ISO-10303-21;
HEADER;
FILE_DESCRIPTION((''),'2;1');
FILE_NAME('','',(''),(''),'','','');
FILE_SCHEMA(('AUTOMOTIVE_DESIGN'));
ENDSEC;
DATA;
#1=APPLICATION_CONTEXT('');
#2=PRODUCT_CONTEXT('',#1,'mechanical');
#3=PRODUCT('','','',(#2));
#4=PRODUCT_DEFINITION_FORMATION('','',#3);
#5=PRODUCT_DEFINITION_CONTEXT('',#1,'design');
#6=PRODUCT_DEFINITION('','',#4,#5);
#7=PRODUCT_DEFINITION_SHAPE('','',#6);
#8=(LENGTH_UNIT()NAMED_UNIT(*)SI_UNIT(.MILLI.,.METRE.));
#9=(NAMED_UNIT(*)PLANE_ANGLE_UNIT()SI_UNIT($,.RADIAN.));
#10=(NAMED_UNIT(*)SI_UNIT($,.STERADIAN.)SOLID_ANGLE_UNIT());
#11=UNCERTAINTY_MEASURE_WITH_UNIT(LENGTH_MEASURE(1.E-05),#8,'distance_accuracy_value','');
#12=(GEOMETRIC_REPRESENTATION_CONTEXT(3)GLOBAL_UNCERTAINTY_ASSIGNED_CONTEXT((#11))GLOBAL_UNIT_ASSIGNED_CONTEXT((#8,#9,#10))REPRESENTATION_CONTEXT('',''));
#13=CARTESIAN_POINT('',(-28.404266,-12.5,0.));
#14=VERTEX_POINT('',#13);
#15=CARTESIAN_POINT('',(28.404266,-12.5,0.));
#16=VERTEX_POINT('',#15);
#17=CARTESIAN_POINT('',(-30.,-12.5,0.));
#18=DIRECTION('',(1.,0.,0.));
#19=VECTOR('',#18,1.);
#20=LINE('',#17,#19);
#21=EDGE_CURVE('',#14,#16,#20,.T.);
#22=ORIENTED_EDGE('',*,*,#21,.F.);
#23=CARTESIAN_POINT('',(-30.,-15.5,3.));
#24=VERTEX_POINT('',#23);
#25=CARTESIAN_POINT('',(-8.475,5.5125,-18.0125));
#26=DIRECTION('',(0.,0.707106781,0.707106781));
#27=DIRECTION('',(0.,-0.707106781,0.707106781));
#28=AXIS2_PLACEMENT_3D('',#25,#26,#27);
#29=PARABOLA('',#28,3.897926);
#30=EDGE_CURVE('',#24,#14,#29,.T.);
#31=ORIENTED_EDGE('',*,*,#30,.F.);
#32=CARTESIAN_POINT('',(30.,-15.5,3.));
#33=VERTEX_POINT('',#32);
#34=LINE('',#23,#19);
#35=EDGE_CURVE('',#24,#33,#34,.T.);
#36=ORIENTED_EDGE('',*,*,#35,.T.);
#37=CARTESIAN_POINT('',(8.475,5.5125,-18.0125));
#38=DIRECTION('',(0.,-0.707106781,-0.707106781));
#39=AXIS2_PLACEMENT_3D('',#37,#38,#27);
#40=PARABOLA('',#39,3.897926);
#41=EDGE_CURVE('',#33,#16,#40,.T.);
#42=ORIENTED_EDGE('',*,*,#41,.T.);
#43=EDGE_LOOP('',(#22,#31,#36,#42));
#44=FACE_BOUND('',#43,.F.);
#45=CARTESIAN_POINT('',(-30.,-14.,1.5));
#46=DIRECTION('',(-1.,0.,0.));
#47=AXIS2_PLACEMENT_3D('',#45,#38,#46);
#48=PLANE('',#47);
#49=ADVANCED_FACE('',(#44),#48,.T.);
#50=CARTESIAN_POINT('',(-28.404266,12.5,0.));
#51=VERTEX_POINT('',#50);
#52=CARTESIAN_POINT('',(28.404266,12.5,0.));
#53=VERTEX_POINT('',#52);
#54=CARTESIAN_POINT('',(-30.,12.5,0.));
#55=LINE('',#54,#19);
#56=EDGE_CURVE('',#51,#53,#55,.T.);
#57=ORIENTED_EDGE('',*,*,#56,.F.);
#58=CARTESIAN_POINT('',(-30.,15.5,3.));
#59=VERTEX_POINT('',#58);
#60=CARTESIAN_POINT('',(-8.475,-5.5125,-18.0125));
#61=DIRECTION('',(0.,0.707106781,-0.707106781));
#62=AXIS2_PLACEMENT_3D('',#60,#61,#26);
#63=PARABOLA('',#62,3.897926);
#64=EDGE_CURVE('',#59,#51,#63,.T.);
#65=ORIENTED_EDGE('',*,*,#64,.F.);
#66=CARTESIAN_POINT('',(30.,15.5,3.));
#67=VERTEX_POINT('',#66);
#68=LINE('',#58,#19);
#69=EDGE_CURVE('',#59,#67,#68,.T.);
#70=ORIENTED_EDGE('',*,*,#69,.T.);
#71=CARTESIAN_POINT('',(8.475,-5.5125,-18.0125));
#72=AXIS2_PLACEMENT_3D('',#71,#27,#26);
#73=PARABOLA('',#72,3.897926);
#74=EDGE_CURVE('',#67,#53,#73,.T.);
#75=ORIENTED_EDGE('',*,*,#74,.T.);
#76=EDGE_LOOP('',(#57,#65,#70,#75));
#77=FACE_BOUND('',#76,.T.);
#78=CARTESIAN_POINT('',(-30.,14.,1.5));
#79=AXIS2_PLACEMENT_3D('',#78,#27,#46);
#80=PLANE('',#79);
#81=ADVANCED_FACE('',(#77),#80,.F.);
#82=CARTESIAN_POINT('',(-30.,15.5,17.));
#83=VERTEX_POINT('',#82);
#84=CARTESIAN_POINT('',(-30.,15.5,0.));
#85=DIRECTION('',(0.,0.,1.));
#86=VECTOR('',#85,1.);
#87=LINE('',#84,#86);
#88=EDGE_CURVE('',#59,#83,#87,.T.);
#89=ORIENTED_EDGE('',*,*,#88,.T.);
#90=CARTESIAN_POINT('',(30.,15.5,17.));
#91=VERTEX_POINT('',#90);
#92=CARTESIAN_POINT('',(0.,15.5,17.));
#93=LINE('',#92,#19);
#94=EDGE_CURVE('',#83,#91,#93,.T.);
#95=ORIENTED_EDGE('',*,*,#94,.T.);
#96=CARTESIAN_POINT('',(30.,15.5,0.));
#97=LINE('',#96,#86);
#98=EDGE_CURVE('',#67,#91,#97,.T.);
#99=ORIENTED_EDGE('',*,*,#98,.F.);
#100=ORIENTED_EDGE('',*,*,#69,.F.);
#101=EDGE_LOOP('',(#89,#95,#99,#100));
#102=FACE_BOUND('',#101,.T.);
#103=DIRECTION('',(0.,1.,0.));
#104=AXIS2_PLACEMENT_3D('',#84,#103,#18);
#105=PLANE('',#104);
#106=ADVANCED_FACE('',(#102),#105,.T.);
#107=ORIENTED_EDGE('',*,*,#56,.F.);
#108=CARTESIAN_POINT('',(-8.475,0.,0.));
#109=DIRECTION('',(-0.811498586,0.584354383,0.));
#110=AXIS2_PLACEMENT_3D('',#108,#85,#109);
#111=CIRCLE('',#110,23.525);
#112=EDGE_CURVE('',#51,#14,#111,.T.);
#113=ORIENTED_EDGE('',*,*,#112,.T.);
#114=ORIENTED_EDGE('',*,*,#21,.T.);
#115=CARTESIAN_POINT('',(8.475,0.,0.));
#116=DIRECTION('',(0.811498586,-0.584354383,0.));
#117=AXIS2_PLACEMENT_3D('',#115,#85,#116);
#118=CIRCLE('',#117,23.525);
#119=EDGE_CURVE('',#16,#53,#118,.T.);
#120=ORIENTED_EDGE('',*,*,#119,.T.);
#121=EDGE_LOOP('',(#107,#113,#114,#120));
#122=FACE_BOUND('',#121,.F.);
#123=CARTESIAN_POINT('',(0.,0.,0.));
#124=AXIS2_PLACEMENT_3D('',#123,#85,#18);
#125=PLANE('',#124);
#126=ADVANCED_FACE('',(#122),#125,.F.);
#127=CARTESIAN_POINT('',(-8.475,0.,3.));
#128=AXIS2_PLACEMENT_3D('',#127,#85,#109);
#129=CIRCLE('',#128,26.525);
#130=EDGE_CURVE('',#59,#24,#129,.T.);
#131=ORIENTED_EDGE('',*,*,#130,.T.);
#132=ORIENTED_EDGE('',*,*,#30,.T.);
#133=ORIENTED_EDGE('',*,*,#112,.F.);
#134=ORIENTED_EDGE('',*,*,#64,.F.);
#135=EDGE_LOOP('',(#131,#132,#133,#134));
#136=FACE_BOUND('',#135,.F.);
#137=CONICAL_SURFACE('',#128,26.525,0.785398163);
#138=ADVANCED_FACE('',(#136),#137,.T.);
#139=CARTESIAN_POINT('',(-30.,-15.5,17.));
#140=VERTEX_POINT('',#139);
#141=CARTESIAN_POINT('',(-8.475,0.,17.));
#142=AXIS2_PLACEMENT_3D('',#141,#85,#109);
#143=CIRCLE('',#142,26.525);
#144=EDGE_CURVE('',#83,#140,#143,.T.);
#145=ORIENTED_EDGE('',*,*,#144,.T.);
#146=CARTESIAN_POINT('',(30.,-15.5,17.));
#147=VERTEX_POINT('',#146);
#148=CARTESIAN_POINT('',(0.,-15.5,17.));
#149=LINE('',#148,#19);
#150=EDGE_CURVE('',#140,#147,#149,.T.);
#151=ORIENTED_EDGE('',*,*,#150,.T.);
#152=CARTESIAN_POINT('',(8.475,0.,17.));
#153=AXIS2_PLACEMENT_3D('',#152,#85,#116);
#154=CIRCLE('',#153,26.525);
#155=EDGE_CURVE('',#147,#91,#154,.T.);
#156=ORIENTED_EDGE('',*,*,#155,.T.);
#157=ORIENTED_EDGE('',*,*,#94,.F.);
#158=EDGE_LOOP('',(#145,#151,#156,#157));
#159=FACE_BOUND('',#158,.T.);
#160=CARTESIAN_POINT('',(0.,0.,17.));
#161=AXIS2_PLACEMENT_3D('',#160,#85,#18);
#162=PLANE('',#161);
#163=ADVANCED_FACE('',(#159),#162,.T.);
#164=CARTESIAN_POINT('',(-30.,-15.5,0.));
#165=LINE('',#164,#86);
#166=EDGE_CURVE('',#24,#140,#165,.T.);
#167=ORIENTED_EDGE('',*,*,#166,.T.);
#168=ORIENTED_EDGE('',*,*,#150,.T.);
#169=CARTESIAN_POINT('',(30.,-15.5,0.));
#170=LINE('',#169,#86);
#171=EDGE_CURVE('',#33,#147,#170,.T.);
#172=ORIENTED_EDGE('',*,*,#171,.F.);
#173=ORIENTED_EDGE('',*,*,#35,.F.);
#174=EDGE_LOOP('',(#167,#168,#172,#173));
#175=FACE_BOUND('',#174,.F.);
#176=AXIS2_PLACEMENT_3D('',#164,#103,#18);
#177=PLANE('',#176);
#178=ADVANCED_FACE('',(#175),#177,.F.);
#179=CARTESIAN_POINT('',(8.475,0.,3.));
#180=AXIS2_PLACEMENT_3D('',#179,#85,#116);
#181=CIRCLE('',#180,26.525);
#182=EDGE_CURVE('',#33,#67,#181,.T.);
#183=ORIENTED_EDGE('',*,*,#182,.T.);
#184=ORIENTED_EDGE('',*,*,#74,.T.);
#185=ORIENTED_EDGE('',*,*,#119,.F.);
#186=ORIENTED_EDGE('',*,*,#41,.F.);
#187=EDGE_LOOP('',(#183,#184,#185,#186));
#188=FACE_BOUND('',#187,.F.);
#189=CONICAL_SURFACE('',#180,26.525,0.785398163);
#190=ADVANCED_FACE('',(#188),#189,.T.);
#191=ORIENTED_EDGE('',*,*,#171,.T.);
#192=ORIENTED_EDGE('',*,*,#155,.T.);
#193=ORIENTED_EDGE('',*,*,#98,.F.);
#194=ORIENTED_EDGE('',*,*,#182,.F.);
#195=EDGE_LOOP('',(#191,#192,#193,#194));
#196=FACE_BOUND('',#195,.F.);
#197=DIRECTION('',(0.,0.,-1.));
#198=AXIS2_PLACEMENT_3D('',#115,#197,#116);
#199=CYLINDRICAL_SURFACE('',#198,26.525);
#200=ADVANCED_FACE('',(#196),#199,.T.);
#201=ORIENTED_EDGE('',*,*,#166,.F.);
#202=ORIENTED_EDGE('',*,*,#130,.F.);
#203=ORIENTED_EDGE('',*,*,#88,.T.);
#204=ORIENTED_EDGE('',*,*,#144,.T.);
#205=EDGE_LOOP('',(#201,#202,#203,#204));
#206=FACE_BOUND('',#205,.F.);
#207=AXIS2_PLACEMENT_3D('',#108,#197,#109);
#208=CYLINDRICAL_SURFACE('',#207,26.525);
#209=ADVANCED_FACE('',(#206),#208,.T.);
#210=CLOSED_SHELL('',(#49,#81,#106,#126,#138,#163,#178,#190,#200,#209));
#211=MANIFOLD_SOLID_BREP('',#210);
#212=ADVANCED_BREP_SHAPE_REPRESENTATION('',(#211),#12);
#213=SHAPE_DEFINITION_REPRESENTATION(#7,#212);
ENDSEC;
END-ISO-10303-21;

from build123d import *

# Parameters (mm, degrees)
F0_W     = 60
F0_H     = 31
F1_DEPTH = 17
F2_SIZE  = 3


with BuildPart() as f1:
    # F0 (on Top) → F1 (new body)
    with BuildSketch(Plane.XY):
        Rectangle(F0_W, F0_H)
        with BuildLine():
            ThreePointArc((-30, 15.5), (-35, 0), (-30, -15.5))
            Line((-30, -15.5), (-30, 15.5))
        make_face()
        with BuildLine():
            Line((30, 15.5), (30, -15.5))
            ThreePointArc((30, -15.5), (35, 0), (30, 15.5))
        make_face()
    extrude(amount=F1_DEPTH)

    # F2
    f2_edges = [f1.edges().sort_by_distance(p)[0] for p in [
        (0, -15.5, 0),
        (35, 0, 0),
        (0, 15.5, 0),
        (-35, 0, 0),
    ]]
    chamfer(f2_edges, length=F2_SIZE)


solid = f1.part
